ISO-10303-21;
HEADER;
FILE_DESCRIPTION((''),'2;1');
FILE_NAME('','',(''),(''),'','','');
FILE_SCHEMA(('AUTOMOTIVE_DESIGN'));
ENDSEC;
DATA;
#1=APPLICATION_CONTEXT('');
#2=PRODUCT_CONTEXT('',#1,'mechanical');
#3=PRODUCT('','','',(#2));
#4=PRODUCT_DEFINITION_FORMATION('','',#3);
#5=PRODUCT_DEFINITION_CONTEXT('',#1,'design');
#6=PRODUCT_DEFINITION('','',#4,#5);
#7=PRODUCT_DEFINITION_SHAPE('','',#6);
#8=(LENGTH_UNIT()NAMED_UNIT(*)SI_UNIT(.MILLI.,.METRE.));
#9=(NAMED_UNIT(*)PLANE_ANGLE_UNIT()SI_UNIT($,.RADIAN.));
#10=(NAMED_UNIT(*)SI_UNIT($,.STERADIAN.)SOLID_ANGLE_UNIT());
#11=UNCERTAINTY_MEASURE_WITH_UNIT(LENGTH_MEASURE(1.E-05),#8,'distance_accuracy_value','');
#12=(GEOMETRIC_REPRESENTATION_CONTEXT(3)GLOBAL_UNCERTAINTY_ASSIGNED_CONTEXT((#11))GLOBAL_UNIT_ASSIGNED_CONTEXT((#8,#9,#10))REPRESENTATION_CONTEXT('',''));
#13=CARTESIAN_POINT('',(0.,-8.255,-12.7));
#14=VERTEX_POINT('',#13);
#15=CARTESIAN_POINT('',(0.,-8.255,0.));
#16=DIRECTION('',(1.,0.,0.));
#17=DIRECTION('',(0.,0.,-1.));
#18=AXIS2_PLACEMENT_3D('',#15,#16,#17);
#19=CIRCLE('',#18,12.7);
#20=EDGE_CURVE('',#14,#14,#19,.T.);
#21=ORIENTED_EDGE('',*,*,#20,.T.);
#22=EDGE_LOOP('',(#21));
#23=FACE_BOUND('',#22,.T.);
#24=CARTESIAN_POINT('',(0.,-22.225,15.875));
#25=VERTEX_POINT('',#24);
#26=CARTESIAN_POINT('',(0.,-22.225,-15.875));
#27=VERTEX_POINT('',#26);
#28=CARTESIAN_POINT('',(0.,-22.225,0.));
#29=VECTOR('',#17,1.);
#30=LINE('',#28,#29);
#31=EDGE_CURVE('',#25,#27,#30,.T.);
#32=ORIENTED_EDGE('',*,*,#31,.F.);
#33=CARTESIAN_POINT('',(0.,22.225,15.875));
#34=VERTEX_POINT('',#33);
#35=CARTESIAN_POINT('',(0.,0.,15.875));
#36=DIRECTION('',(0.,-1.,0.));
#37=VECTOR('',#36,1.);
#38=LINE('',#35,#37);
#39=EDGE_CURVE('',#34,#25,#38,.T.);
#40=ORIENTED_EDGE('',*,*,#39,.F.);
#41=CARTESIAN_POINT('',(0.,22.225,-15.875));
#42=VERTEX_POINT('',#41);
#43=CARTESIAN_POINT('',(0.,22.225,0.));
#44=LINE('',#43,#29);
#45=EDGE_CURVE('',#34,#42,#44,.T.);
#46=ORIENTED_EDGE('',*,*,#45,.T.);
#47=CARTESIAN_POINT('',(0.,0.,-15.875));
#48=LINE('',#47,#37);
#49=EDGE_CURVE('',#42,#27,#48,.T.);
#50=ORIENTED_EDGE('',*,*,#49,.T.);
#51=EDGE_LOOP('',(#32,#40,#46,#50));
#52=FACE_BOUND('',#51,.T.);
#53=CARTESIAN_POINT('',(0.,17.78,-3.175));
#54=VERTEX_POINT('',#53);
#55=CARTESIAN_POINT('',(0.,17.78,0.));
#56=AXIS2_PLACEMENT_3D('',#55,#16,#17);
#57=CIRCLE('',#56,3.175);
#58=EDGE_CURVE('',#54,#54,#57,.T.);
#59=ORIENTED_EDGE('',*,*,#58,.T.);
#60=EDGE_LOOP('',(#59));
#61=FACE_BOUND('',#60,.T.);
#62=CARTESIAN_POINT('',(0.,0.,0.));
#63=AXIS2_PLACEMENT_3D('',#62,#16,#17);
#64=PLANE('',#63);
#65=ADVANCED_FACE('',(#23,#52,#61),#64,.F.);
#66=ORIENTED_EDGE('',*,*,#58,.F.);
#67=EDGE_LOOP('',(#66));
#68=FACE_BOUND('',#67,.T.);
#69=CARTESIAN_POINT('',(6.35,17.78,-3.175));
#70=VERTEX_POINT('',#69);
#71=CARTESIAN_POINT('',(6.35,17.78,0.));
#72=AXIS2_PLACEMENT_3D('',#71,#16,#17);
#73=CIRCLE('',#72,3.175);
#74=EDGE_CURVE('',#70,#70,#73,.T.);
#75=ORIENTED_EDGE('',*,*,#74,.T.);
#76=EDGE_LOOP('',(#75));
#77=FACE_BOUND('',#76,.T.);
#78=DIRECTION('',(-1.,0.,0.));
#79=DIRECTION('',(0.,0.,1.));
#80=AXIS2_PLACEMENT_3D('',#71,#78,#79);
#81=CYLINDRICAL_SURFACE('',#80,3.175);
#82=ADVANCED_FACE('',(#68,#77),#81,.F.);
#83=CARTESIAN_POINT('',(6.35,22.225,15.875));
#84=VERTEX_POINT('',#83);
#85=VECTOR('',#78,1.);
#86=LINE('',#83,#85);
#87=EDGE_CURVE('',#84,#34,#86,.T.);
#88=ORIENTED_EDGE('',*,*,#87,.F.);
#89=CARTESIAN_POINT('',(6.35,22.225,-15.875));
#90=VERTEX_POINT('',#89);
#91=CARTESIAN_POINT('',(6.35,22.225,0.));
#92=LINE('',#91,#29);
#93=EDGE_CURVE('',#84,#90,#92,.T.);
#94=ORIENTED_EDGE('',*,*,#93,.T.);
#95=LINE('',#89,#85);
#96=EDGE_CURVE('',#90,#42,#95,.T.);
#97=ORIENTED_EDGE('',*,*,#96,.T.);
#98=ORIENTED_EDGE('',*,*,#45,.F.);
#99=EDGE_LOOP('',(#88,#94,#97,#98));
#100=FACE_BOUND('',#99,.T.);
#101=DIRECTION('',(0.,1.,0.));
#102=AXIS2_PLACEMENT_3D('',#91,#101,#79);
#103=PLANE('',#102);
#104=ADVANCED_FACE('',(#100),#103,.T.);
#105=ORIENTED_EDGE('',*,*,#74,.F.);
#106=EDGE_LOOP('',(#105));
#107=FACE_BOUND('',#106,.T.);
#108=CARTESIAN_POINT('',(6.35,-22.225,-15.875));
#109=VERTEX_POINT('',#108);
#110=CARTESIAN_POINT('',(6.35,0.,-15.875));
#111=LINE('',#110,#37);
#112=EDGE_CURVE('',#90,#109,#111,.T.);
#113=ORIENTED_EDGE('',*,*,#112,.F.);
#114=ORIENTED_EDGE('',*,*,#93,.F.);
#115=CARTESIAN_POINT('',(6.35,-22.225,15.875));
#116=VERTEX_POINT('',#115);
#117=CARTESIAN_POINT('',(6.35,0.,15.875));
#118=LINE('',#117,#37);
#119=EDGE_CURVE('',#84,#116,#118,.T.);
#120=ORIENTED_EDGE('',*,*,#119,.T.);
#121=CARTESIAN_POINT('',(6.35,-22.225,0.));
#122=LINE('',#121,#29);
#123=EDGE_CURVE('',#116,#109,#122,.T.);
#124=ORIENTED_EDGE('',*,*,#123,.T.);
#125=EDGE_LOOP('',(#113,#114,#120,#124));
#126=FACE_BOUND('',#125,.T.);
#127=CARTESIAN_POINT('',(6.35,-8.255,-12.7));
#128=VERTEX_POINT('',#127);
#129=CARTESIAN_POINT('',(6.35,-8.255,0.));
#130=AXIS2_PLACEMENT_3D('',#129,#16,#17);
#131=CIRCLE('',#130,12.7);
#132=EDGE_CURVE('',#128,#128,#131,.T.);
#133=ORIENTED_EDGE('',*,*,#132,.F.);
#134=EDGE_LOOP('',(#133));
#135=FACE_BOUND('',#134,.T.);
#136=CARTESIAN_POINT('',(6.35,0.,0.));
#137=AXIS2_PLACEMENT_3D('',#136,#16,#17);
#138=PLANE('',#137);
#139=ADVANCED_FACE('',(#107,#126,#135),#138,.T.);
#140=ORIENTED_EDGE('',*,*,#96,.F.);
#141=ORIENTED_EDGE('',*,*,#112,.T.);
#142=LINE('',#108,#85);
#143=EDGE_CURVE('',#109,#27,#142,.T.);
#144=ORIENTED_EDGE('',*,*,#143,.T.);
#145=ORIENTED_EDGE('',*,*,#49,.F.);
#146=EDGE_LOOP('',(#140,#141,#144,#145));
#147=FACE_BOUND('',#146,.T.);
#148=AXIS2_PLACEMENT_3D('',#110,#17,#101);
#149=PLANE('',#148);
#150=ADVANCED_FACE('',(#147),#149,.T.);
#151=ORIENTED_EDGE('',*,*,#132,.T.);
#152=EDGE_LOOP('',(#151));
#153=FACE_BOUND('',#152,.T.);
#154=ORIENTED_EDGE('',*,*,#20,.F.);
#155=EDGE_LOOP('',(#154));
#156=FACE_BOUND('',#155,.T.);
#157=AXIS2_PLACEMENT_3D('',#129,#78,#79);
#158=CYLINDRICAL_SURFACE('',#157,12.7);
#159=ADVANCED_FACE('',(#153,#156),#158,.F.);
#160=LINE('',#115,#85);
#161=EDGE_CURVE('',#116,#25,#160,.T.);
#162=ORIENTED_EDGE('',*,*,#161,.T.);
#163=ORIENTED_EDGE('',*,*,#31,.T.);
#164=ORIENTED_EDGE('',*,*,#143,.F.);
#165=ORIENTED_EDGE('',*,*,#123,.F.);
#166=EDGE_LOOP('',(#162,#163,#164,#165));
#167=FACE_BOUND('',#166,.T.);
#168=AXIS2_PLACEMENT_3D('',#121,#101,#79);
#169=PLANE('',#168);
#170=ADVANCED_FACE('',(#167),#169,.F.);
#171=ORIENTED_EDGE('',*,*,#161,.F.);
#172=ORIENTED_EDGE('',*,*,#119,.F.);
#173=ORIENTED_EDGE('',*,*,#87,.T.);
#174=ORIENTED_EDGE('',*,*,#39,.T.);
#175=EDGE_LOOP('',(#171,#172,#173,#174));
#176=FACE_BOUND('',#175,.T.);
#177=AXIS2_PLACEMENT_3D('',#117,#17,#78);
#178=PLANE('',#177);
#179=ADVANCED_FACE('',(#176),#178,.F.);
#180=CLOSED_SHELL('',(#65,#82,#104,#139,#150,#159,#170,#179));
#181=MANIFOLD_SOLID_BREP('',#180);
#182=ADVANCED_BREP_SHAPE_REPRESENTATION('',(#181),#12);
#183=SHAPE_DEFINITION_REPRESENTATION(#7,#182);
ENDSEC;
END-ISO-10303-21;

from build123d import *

# Parameters (mm, degrees)
SKETCH1_W           = 31.75
SKETCH1_H           = 44.45
SKETCH1_R           = 12.7
SKETCH1_R_2         = 3.175
BOSS_EXTRUDE1_DEPTH = 6.35


with BuildPart() as part:
    # Sketch1 → Boss-Extrude1 (new body)
    with BuildSketch(Plane(origin=(0, 0, 0), x_dir=(0, 0, -1), z_dir=(1, 0, 0))):
        Rectangle(SKETCH1_W, SKETCH1_H)
        with Locations((0, -8.255)):
            Circle(SKETCH1_R, mode=Mode.SUBTRACT)
        with Locations((0, 17.78)):
            Circle(SKETCH1_R_2, mode=Mode.SUBTRACT)
    extrude(amount=BOSS_EXTRUDE1_DEPTH)


solid = part.part
